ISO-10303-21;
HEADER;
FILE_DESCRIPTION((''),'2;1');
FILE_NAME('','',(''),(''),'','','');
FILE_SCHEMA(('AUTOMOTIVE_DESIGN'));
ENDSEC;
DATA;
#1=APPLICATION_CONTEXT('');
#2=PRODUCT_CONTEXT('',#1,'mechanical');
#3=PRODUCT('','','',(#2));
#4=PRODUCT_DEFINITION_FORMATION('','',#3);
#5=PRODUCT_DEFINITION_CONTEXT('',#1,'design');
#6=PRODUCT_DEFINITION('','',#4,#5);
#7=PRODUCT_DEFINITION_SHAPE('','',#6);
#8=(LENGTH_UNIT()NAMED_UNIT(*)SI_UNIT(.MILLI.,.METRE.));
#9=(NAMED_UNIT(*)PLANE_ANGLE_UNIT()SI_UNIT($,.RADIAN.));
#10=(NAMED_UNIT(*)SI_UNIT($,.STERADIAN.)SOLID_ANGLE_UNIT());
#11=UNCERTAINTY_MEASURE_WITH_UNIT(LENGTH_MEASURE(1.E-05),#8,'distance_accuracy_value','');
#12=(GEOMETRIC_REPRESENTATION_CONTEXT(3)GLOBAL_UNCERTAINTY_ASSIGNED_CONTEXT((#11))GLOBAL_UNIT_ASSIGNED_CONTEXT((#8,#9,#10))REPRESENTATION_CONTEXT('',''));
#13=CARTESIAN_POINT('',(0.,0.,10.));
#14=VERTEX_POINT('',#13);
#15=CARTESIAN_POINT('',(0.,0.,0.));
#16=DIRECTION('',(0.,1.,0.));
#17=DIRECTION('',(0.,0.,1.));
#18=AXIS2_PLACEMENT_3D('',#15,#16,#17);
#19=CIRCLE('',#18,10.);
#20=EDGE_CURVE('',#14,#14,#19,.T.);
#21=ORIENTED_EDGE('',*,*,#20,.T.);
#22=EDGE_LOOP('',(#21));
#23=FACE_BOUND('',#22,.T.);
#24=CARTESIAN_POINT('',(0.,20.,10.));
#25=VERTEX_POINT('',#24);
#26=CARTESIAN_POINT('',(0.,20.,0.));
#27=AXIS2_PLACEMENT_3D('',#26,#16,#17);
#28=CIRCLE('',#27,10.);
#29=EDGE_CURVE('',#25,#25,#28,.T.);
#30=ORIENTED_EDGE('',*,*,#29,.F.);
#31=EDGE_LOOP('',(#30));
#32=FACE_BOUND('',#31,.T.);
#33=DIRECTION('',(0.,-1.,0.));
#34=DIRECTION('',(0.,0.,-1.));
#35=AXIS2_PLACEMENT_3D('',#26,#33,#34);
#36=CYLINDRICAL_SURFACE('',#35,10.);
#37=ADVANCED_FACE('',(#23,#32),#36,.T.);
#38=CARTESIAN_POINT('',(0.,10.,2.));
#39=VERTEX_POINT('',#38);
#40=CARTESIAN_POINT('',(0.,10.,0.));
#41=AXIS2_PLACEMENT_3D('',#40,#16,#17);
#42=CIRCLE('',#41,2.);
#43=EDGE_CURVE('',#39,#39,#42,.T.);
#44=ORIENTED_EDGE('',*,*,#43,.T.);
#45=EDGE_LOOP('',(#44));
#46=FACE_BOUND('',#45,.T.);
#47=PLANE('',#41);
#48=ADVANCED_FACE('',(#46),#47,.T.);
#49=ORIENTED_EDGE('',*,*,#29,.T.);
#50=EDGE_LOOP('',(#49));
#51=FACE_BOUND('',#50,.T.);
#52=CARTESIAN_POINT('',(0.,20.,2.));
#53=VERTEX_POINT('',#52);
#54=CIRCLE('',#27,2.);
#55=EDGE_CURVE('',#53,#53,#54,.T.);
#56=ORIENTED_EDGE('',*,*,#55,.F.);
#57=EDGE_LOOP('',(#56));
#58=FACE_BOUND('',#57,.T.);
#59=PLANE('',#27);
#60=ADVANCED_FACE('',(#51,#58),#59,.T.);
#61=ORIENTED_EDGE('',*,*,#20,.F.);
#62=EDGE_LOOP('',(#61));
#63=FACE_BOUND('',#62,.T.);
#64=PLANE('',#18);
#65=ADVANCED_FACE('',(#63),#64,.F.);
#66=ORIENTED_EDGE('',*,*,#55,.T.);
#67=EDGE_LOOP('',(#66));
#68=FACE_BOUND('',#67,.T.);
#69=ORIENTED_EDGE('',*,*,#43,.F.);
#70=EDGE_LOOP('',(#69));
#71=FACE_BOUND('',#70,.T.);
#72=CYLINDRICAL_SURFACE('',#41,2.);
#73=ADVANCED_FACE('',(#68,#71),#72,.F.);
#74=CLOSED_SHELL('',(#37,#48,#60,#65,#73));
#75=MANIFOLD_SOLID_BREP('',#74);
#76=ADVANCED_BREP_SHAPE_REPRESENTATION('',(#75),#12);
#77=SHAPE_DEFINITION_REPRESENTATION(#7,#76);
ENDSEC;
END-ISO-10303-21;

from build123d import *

# Parameters (mm, degrees)
SKETCH1_R           = 10
BOSS_EXTRUDE1_DEPTH = 20
SKETCH2_R           = 2
CUT_EXTRUDE1_DEPTH  = 10


with BuildPart() as part:
    # Sketch1 → Boss-Extrude1 (new body)
    with BuildSketch(Plane(origin=(0, 0, 0), x_dir=(1, 0, 0), z_dir=(0, 1, 0))):
        Circle(SKETCH1_R)
    extrude(amount=BOSS_EXTRUDE1_DEPTH)

    # Sketch2 → Cut-Extrude1 (cut)
    with BuildSketch(Plane(origin=(0, 20, 0), x_dir=(1, 0, 0), z_dir=(0, 1, 0))):
        Circle(SKETCH2_R)
    extrude(amount=-CUT_EXTRUDE1_DEPTH, mode=Mode.SUBTRACT)


solid = part.part
